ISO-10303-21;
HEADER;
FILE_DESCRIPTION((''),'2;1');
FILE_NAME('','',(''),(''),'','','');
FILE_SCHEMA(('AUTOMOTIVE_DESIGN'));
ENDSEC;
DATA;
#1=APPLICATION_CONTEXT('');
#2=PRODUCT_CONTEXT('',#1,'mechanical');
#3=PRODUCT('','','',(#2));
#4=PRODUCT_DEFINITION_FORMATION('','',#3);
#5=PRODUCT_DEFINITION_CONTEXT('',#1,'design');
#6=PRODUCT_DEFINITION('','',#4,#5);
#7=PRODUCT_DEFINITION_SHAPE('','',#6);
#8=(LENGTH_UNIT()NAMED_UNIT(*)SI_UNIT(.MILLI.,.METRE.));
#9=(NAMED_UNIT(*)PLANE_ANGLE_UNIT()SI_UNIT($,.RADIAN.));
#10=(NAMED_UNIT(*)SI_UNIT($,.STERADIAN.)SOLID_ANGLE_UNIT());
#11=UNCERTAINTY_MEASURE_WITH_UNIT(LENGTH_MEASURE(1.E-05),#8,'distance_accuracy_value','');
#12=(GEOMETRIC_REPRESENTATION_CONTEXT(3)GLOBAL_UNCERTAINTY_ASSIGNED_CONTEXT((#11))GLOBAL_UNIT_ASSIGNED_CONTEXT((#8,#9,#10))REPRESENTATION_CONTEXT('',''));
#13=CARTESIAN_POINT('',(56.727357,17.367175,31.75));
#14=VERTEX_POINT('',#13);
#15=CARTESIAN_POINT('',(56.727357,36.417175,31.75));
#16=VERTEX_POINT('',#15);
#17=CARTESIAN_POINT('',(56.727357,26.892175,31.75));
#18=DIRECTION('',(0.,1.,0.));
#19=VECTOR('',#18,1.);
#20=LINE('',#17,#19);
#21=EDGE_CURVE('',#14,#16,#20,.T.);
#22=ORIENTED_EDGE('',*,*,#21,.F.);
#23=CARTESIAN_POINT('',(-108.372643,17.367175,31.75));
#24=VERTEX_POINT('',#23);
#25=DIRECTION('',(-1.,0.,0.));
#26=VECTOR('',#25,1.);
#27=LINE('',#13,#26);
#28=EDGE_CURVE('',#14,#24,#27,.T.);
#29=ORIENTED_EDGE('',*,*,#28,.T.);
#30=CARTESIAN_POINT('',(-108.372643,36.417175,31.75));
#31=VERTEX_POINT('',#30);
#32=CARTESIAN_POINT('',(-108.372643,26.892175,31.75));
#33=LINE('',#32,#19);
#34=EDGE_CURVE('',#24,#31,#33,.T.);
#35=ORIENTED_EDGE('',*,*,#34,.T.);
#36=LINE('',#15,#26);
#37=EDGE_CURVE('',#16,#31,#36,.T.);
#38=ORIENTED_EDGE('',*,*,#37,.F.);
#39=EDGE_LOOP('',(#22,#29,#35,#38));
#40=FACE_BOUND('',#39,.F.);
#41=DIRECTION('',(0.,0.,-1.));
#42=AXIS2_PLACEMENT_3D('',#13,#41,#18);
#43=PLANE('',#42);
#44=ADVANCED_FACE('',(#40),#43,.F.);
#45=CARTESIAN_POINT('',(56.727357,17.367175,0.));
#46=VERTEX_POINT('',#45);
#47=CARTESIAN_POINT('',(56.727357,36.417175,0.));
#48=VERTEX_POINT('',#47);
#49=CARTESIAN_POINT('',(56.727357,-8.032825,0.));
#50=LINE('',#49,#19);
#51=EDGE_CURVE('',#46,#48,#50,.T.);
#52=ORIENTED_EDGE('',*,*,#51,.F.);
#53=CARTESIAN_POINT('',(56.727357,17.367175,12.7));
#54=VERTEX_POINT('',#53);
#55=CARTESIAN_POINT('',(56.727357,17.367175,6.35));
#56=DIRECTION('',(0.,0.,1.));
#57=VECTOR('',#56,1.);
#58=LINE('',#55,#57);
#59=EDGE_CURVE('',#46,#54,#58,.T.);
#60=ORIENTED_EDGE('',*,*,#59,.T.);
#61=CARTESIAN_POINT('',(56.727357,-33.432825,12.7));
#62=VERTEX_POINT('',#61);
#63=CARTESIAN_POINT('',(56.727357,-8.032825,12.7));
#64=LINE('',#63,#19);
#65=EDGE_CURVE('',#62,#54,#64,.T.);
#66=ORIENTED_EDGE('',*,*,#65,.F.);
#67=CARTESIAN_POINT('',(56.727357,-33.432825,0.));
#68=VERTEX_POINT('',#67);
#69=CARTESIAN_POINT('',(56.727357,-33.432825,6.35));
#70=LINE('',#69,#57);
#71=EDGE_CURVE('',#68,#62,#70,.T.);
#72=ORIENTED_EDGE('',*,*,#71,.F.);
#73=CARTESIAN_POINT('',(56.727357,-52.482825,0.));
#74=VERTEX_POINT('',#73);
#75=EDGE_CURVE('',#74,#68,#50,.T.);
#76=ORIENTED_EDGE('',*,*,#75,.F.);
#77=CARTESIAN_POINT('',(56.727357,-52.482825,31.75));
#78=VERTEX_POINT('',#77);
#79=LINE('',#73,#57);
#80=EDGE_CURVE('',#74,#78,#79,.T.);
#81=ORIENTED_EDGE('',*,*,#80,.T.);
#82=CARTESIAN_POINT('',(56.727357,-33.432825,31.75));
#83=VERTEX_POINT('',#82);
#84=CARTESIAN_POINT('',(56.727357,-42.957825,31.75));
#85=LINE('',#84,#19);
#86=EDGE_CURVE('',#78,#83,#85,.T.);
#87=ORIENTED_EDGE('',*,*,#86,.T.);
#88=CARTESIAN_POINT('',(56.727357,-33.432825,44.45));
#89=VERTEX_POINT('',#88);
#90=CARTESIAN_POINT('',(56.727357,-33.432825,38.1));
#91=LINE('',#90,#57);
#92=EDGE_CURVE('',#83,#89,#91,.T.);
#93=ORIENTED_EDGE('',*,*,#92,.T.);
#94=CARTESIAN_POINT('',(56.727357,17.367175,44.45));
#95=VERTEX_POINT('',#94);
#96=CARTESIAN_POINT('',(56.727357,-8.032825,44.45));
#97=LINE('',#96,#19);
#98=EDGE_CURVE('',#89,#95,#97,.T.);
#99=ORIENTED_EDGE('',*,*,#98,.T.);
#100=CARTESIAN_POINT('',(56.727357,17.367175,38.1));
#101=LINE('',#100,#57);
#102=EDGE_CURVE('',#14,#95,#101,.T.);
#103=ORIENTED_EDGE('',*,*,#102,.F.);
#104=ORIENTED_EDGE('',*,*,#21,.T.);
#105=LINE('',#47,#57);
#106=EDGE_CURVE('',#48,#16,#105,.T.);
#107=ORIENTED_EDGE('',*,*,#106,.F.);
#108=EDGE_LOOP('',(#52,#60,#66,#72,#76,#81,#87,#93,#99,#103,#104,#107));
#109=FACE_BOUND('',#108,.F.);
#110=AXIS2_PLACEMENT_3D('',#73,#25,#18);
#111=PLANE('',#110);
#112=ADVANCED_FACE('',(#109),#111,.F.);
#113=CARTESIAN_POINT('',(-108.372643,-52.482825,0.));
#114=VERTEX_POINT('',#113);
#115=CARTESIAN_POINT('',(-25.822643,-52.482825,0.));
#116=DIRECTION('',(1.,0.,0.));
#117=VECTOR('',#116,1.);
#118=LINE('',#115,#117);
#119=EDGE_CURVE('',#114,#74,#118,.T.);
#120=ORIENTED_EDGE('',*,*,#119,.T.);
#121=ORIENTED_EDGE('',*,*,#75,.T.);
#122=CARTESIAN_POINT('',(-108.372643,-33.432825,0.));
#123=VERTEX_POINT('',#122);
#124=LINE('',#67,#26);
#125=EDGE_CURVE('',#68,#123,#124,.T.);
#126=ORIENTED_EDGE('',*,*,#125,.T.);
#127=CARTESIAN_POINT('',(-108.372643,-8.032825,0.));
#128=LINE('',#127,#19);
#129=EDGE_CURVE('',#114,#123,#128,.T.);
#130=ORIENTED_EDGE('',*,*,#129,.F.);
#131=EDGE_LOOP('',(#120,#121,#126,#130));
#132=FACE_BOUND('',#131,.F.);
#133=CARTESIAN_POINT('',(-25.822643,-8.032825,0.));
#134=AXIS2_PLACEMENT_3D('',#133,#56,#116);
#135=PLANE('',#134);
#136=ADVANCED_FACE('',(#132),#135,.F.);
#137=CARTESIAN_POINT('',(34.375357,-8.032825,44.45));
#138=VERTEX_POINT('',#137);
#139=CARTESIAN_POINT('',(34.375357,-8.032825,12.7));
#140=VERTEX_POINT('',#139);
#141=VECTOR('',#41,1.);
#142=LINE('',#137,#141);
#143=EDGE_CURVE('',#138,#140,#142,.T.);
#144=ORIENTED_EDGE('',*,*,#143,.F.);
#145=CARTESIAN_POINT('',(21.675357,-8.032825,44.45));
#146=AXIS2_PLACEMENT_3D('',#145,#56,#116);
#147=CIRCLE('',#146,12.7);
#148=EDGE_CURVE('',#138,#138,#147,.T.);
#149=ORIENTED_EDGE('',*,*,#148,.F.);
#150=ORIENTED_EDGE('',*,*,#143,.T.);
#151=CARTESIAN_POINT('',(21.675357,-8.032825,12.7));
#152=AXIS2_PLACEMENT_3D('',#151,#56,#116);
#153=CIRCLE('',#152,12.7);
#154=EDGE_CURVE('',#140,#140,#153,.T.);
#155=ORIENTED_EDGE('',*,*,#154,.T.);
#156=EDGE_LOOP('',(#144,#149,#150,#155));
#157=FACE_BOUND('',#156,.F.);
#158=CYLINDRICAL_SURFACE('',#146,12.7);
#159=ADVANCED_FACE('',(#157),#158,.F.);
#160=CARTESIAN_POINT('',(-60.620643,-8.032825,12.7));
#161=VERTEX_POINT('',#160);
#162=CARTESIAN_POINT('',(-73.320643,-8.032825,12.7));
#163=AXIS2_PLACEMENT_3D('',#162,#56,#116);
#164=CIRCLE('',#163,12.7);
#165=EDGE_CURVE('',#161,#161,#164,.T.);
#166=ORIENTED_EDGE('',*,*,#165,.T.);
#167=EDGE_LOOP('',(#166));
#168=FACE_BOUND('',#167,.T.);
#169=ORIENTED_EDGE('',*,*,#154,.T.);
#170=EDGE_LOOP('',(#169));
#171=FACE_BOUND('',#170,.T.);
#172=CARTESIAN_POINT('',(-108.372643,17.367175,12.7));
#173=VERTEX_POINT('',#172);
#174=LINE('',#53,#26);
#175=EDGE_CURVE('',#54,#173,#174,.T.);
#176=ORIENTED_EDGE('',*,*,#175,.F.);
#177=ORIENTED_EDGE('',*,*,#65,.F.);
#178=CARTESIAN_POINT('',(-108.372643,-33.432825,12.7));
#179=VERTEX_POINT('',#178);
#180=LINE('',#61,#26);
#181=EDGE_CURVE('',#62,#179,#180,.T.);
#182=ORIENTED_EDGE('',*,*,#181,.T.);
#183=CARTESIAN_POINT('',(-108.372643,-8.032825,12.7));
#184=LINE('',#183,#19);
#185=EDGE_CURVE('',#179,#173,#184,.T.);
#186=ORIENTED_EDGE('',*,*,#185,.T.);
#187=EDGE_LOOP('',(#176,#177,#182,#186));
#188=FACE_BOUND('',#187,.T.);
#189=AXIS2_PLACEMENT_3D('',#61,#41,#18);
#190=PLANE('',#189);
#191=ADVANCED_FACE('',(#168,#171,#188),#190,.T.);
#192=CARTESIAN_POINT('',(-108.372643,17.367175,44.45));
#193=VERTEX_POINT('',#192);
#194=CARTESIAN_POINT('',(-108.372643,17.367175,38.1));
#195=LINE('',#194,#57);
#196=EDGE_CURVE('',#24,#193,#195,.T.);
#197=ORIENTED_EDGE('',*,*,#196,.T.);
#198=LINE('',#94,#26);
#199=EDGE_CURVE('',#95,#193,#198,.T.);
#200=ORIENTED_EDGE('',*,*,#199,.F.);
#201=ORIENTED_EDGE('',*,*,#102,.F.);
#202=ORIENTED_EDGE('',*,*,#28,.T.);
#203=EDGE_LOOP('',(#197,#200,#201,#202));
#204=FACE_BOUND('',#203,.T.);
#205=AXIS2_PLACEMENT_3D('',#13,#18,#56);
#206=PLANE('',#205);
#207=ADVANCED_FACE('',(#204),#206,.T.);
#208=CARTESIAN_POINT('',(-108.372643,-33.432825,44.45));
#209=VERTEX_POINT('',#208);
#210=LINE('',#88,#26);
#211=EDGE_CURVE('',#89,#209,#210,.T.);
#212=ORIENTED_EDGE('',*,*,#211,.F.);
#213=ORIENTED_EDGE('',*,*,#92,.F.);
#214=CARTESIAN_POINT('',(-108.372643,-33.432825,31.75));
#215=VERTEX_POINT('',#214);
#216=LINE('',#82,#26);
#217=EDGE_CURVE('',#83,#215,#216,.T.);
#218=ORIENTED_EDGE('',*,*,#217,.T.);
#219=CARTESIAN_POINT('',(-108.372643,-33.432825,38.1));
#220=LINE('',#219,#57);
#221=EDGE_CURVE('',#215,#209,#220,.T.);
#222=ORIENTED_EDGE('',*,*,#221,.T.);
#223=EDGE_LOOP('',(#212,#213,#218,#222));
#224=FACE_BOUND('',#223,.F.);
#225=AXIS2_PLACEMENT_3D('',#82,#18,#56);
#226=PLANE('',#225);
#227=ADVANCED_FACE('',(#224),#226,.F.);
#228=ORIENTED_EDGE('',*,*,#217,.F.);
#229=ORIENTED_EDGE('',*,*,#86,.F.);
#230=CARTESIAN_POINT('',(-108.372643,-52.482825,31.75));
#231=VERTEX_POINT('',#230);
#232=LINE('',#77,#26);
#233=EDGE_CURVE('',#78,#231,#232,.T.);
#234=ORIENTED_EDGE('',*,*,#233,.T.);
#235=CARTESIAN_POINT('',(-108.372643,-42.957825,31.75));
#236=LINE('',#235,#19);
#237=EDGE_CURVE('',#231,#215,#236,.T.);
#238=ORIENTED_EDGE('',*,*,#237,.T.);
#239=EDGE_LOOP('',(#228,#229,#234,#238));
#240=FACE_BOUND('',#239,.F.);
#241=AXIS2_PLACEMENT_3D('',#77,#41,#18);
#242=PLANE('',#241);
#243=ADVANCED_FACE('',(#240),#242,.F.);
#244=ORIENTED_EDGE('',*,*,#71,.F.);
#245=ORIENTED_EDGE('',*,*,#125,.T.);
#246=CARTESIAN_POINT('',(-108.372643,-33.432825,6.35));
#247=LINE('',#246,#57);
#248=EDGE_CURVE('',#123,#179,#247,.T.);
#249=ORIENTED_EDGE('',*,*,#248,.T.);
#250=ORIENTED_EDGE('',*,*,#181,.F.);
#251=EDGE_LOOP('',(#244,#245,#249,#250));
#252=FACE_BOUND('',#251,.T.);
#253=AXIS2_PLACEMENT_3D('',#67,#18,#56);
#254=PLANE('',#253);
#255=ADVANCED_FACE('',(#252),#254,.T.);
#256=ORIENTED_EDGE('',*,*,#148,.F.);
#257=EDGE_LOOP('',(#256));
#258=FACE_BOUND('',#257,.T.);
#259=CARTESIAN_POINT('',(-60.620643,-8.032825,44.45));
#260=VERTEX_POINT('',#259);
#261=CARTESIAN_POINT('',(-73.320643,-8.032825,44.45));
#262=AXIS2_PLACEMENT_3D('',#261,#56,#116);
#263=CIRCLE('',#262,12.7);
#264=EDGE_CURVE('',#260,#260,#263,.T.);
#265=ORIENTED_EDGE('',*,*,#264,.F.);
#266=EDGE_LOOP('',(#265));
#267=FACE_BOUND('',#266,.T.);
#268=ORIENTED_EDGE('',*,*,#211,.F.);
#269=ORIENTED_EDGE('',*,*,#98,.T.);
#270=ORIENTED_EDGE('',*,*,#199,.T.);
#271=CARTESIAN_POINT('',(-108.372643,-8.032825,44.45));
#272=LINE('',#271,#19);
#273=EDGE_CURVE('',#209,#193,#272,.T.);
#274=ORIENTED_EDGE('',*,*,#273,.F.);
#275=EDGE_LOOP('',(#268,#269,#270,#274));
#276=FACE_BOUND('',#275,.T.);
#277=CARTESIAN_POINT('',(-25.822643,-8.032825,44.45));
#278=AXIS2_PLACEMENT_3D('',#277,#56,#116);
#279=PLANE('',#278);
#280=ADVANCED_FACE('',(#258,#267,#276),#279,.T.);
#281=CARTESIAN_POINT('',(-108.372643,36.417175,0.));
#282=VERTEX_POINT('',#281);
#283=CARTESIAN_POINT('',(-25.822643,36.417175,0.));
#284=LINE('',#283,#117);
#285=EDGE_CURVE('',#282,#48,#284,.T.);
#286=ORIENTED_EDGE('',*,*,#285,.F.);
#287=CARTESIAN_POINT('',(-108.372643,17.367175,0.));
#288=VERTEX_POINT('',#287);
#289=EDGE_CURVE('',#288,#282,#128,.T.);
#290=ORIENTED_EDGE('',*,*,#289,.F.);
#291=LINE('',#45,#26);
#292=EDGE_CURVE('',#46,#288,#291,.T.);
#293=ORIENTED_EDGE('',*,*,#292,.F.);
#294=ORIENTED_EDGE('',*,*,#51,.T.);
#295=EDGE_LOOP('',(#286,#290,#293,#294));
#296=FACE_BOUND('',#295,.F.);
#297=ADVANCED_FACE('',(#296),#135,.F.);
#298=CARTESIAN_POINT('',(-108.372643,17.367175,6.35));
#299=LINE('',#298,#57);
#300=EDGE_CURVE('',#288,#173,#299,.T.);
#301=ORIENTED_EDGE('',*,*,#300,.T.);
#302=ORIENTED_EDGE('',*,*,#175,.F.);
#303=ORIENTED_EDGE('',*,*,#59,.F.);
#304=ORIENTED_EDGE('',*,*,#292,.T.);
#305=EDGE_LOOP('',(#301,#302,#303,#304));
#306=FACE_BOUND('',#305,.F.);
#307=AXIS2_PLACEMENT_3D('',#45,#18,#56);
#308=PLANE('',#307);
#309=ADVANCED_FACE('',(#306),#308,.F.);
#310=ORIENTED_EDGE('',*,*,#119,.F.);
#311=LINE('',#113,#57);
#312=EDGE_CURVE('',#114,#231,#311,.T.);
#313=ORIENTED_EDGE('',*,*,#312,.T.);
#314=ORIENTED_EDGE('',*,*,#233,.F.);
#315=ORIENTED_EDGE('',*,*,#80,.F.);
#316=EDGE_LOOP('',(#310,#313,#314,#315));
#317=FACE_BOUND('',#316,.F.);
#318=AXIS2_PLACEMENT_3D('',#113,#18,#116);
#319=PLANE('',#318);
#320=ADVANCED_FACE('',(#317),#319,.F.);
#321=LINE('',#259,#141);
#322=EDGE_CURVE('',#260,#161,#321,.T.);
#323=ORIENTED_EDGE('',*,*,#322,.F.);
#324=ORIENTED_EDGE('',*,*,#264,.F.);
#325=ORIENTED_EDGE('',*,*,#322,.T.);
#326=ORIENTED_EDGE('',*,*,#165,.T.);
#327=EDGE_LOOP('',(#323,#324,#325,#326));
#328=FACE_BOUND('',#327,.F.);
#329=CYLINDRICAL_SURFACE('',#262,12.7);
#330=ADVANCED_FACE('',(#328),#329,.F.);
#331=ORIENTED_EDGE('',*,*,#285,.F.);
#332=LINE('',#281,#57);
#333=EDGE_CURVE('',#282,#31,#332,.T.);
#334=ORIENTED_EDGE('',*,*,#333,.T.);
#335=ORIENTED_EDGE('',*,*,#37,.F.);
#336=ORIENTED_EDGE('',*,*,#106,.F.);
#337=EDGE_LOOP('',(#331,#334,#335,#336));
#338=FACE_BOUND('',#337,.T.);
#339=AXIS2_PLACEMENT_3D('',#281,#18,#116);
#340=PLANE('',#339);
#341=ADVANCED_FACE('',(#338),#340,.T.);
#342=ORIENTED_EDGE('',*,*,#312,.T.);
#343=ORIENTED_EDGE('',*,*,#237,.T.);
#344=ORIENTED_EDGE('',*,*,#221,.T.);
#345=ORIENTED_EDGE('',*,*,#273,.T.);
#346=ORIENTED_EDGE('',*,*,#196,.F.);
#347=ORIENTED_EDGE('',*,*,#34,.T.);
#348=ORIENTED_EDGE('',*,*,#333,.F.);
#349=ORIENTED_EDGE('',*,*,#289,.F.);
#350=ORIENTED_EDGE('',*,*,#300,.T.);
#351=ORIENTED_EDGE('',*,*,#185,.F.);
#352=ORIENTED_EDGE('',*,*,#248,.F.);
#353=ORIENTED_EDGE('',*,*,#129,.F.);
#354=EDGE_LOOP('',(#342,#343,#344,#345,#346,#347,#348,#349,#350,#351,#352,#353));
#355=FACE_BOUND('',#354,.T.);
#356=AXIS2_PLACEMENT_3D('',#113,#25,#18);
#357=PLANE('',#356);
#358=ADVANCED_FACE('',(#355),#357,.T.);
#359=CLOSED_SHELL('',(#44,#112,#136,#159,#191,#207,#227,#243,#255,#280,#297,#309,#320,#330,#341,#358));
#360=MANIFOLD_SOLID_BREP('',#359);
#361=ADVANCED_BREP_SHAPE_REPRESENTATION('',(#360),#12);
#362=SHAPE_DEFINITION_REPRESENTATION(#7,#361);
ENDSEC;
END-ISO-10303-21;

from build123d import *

# Parameters (mm, degrees)
F0_W      = 165.1
F0_H      = 88.9
F1_DEPTH  = 44.45
F2_W      = 50.8
F2_H      = 12.7
F3_DEPTH  = 165.1
F4_W      = 19.05
F4_H      = 12.7
F5_DEPTH  = 165.1
F6_W      = 19.05
F6_H      = 12.7
F7_DEPTH  = 165.1
F8_R      = 12.7
F9_DEPTH  = 44.45
F10_R     = 12.7
F11_DEPTH = 44.45


with BuildPart() as f1:
    # F0 (on Top) → F1 (new body)
    with BuildSketch(Plane.XY):
        with Locations((-25.822643, -8.032825)):
            Rectangle(F0_W, F0_H)
    extrude(amount=F1_DEPTH)

    # F2 (on face) → F3 (cut)
    with BuildSketch(Plane.YZ.offset(56.727357)):
        with Locations((-8.032825, 6.35)):
            Rectangle(F2_W, F2_H)
    extrude(amount=-F3_DEPTH, mode=Mode.SUBTRACT)

    # F4 (on face) → F5 (cut)
    with BuildSketch(Plane.YZ.offset(56.727357)):
        with Locations((-42.957825, 38.1)):
            Rectangle(F4_W, F4_H)
    extrude(amount=-F5_DEPTH, mode=Mode.SUBTRACT)

    # F6 (on face) → F7 (cut)
    with BuildSketch(Plane.YZ.offset(56.727357)):
        with Locations((26.892175, 38.1)):
            Rectangle(F6_W, F6_H)
    extrude(amount=-F7_DEPTH, mode=Mode.SUBTRACT)

    # F8 (on face) → F9 (cut)
    with BuildSketch(Plane.XY.offset(44.45)):
        with Locations((-73.320643, -8.032825)):
            Circle(F8_R)
    extrude(amount=-F9_DEPTH, mode=Mode.SUBTRACT)

    # F10 (on face) → F11 (cut)
    with BuildSketch(Plane.XY.offset(44.45)):
        with Locations((21.675357, -8.032825)):
            Circle(F10_R)
    extrude(amount=-F11_DEPTH, mode=Mode.SUBTRACT)


solid = f1.part
